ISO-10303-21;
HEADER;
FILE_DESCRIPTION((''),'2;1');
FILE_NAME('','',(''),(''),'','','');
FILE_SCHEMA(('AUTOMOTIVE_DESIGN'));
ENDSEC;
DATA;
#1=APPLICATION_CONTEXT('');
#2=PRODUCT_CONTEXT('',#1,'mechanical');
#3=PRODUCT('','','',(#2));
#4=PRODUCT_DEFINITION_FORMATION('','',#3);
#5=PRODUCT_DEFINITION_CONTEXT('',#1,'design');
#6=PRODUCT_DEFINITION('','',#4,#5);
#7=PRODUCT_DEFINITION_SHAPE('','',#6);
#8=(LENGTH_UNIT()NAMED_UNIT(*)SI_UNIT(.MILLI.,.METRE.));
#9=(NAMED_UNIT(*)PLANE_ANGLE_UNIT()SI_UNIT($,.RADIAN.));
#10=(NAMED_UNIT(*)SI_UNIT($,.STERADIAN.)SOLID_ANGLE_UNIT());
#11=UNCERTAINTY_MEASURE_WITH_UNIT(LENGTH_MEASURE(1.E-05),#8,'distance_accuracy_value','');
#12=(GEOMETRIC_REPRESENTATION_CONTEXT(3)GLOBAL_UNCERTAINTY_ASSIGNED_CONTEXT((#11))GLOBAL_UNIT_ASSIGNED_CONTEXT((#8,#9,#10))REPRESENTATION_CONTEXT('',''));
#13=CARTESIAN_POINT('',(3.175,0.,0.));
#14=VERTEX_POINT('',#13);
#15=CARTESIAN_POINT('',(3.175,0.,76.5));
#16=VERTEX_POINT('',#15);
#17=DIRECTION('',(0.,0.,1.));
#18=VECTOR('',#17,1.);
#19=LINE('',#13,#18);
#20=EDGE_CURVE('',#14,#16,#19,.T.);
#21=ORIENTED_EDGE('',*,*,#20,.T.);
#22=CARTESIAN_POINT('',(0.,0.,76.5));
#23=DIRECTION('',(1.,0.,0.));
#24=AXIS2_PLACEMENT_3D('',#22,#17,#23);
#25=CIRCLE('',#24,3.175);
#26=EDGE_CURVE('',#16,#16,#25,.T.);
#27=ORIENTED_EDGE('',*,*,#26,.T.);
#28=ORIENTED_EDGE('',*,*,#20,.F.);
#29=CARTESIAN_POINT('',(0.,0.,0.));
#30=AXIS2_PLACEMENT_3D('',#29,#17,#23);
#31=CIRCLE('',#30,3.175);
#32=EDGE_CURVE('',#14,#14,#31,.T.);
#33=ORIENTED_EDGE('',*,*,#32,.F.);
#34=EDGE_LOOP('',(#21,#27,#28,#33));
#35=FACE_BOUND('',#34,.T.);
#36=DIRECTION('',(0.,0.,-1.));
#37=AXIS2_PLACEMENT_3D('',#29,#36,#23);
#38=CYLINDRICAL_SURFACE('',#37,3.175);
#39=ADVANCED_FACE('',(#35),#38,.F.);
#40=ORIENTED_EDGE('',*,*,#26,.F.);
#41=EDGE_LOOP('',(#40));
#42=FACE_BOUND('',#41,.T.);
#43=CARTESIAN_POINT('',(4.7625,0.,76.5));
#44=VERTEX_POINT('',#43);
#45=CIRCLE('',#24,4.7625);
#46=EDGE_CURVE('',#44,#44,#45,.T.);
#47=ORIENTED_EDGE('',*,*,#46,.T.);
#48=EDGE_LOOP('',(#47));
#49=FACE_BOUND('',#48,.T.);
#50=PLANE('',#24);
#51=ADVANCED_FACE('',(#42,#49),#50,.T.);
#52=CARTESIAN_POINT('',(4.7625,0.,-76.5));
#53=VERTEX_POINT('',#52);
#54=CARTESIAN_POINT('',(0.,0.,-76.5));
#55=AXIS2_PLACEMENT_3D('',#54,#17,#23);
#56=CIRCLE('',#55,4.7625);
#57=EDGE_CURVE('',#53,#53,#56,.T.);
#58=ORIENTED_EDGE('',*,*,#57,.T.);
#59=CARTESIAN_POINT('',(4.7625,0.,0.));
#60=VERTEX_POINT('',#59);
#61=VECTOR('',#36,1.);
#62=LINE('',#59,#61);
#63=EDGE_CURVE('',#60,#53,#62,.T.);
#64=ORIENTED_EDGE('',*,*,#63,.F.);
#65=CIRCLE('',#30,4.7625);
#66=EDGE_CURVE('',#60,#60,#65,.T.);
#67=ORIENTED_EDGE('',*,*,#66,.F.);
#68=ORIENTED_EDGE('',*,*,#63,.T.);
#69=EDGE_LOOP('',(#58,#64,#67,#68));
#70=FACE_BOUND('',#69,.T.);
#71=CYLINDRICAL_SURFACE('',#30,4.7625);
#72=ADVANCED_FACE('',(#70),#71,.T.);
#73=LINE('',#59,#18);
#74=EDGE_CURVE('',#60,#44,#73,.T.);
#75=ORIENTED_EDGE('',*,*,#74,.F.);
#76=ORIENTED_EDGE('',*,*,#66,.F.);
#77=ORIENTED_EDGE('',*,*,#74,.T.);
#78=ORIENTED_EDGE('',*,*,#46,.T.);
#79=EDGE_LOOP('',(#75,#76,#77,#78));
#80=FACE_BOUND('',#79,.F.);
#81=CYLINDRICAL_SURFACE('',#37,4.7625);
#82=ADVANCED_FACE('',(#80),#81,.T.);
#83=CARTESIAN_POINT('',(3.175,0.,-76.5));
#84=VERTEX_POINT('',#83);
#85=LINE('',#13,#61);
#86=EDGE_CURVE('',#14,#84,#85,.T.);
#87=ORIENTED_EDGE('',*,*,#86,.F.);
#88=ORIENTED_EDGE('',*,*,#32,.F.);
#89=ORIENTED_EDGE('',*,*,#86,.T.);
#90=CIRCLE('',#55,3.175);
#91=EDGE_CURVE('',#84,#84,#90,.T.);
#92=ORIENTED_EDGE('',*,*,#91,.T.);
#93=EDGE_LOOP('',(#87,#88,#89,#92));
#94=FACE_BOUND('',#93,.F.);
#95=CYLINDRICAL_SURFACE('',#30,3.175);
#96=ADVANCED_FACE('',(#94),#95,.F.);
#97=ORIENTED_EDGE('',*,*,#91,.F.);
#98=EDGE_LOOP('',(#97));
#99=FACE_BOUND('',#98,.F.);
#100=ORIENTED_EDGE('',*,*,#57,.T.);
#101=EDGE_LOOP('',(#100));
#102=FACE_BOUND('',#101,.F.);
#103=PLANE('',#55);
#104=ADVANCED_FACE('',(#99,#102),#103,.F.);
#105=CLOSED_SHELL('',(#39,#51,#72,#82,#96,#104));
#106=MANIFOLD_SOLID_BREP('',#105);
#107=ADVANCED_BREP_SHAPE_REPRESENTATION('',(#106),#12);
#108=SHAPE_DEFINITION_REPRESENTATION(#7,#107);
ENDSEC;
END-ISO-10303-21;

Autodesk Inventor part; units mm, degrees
ref_plane "YZ Plane" through (0, 0, 0) normal (1, 0, 0) x (0, 1, 0)
ref_plane "XZ Plane" through (0, 0, 0) normal (0, 1, 0) x (-1, 0, 0)
ref_plane "XY Plane" through (0, 0, 0) normal (0, 0, 1) x (1, 0, 0)
sketch "Sketch1" plane through (0, 0, 0) normal (0, 0, 1) x (1, 0, 0)
  circle A0 centre (0, 0) radius 4.7625
  circle A1 centre (0, 0) radius 3.175
  dimension "d0" = 9.525
  dimension "d1" = 6.35
extrude "Extrusion1" add sketch "Sketch1" along normal mid plane 153
properties part number "3215a_Rail Connector Rod_V1" material "GFRP"
